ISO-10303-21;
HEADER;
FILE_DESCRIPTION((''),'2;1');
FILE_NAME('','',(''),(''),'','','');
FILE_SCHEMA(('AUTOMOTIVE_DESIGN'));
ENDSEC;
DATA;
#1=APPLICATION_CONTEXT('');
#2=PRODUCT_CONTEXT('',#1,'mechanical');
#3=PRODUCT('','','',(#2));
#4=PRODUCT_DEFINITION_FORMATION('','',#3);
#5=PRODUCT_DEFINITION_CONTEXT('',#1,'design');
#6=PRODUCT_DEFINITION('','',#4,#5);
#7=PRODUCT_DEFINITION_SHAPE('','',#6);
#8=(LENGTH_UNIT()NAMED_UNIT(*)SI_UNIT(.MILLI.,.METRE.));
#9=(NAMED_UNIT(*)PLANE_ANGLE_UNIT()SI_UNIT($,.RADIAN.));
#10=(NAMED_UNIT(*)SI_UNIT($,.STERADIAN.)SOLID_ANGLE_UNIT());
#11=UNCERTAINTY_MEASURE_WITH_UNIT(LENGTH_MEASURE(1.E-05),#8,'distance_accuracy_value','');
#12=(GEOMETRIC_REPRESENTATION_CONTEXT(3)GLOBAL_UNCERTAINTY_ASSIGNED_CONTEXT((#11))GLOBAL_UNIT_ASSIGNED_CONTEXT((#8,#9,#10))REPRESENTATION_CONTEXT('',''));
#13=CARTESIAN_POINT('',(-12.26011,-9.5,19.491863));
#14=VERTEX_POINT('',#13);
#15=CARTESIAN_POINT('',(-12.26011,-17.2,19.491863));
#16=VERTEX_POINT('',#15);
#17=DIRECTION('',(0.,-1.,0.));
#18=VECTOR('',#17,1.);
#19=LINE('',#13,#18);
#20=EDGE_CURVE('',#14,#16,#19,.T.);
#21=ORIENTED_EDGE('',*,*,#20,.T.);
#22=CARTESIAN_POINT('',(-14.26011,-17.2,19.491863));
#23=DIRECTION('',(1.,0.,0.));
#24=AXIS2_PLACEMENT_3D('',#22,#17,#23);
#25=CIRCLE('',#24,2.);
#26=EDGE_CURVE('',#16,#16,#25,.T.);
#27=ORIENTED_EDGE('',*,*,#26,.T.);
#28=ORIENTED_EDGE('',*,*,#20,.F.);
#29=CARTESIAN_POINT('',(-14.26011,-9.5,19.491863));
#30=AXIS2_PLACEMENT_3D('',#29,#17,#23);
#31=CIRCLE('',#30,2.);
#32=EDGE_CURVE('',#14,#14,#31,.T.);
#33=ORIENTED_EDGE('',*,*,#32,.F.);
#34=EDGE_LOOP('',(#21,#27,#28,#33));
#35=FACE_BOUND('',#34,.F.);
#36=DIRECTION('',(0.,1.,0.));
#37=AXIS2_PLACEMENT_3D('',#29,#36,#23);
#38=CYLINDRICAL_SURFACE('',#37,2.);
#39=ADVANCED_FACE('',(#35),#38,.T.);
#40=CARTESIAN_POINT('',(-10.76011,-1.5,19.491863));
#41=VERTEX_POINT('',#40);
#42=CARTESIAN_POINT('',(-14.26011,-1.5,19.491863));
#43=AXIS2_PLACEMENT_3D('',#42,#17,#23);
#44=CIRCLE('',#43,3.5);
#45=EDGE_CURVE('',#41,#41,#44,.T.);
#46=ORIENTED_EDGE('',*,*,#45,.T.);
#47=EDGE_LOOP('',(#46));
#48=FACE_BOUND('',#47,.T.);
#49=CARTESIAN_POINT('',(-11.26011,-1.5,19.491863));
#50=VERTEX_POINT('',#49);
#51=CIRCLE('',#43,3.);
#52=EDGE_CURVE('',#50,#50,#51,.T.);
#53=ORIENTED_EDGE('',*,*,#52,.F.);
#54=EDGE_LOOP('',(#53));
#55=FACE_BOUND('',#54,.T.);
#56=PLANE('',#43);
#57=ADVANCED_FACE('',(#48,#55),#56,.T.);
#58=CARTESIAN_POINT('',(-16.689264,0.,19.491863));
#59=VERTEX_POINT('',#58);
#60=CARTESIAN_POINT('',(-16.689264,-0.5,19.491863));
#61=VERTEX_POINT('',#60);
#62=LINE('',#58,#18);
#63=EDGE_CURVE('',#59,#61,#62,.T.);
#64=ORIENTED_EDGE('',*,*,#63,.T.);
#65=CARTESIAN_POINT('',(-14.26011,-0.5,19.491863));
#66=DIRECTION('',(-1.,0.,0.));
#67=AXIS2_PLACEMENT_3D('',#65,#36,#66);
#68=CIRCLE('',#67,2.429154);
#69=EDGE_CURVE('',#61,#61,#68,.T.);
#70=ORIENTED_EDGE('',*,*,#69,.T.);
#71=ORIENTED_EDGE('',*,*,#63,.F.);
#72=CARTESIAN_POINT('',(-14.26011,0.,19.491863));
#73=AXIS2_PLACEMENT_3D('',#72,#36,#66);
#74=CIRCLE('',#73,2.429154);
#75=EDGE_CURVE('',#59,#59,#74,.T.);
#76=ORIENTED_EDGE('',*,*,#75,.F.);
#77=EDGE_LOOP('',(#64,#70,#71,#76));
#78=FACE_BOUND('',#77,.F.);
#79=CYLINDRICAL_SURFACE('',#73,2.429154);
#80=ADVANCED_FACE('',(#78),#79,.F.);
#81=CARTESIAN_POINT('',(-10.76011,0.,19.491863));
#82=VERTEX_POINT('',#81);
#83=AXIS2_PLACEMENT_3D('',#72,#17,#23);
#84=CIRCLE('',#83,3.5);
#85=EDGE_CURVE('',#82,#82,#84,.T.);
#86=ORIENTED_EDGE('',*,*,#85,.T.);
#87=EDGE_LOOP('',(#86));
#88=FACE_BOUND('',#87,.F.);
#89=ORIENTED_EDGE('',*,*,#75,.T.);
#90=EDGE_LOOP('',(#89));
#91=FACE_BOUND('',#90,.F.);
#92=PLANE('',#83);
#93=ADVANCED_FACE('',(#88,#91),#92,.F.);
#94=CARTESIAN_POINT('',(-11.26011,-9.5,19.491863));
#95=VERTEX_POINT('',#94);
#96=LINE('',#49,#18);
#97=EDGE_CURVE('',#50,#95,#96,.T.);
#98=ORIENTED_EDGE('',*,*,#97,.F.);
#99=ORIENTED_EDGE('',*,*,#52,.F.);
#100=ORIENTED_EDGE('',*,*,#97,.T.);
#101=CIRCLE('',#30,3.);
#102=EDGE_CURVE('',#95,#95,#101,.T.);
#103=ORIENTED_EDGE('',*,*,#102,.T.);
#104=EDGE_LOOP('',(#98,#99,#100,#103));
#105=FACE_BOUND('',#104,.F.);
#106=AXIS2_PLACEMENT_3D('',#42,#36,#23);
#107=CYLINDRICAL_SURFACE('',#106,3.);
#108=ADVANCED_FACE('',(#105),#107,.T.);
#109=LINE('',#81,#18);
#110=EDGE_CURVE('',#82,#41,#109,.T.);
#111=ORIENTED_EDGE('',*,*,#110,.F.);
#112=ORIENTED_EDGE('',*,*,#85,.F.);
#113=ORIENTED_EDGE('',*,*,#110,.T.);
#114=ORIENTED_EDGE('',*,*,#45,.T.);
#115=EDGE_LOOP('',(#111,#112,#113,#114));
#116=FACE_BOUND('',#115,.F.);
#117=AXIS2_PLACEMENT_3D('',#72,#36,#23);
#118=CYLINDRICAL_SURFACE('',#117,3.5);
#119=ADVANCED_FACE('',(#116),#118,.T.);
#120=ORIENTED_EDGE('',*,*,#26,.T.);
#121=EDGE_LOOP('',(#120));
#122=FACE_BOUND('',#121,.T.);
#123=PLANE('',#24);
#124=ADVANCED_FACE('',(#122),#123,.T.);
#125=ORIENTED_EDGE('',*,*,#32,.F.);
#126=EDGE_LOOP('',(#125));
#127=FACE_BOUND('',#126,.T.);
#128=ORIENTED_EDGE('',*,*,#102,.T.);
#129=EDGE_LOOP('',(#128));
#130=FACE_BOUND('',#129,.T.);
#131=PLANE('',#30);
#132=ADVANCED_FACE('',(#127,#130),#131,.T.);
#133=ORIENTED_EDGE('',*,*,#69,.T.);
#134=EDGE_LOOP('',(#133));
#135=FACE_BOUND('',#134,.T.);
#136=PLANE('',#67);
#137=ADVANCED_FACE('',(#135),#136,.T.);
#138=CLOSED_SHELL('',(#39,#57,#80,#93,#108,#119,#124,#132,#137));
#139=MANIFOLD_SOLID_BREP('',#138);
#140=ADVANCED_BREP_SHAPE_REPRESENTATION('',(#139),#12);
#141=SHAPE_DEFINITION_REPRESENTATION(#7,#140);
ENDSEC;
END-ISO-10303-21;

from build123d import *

# Parameters (mm, degrees)
F0_R     = 3.5
F1_DEPTH = 1.5
F2_R     = 3
F3_DEPTH = 8
F4_R     = 2
F5_DEPTH = 7.7
F6_R     = 2.429154
F7_DEPTH = 0.5


with BuildPart() as f1:
    # F0 (on Front) → F1 (new body)
    with BuildSketch(Plane.XZ):
        with Locations((-14.26011, 19.491863)):
            Circle(F0_R)
    extrude(amount=F1_DEPTH)

    # F2 (on face) → F3 (join)
    with BuildSketch(Plane.XZ.offset(1.5)):
        with Locations((-14.26011, 19.491863)):
            Circle(F2_R)
    extrude(amount=F3_DEPTH)

    # F4 (on face) → F5 (join)
    with BuildSketch(Plane.XZ.offset(9.5)):
        with Locations((-14.26011, 19.491863)):
            Circle(F4_R)
    extrude(amount=F5_DEPTH)

    # F6 (on face) → F7 (cut)
    with BuildSketch(Plane(origin=(0, 0, 0), x_dir=(-1, 0, 0), z_dir=(0, 1, 0))):
        with Locations((14.26011, 19.491863)):
            Circle(F6_R)
    extrude(amount=-F7_DEPTH, mode=Mode.SUBTRACT)


solid = f1.part
